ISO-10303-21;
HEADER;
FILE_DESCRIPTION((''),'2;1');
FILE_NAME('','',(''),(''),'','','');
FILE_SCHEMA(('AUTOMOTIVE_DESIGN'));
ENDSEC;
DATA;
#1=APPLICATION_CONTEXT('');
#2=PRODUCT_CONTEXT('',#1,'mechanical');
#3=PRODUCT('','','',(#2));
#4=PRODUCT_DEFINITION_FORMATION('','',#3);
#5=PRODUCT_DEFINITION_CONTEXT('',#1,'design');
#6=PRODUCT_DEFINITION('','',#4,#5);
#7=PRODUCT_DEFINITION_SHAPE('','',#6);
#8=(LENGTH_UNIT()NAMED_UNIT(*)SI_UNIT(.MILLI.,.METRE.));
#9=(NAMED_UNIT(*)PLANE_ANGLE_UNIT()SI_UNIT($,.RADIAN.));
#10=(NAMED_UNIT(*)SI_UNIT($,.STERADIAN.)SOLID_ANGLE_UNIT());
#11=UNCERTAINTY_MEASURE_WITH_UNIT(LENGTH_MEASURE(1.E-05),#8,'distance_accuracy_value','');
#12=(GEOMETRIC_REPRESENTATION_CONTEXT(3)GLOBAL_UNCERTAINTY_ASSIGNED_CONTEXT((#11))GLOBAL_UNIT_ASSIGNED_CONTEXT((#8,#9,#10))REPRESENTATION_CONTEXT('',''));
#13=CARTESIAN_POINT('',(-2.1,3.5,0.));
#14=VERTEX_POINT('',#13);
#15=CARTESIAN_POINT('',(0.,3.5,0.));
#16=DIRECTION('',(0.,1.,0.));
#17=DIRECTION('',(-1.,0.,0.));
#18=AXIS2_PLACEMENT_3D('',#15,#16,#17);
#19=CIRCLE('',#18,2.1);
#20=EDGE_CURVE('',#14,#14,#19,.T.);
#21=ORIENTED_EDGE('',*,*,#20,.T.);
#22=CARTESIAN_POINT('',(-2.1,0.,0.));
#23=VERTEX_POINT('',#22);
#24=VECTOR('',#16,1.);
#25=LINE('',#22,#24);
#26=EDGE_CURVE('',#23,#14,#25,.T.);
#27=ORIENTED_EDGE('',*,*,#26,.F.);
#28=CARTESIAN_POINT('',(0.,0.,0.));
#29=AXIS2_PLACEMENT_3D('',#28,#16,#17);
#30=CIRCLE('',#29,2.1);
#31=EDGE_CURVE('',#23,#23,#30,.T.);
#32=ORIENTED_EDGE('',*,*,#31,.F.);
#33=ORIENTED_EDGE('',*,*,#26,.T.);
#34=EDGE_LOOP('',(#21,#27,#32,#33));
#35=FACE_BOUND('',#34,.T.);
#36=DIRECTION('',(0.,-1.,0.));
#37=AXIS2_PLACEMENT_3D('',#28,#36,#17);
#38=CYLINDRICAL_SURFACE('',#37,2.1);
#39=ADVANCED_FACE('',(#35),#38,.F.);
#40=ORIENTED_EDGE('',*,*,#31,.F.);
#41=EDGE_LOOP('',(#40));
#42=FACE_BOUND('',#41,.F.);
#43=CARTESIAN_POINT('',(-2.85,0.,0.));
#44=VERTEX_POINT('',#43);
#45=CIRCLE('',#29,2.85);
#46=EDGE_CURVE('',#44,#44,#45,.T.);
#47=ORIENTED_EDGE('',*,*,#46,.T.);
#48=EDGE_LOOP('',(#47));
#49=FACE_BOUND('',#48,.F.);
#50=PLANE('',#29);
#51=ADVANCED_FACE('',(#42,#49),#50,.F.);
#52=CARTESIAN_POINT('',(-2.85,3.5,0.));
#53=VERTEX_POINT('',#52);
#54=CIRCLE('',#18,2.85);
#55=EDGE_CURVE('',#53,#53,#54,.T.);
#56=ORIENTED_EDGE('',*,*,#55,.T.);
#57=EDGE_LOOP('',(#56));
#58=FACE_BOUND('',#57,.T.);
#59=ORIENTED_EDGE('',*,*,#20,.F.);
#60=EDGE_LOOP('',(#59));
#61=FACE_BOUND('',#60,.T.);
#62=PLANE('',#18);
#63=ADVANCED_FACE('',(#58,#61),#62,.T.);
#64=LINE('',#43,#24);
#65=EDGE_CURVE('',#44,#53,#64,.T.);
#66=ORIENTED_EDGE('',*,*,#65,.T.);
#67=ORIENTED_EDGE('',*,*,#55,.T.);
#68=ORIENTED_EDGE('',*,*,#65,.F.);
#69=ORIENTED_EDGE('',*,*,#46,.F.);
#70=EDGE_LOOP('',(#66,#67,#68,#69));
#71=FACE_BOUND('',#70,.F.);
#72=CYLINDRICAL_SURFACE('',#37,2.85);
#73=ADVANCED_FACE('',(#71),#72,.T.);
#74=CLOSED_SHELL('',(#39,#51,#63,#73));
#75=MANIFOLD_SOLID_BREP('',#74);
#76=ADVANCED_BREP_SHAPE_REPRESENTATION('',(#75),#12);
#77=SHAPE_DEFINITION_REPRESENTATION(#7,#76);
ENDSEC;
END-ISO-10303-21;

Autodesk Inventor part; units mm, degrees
ref_plane "YZ Plane" through (0, 0, 0) normal (1, 0, 0) x (0, 1, 0)
ref_plane "XZ Plane" through (0, 0, 0) normal (0, 1, 0) x (-1, 0, 0)
ref_plane "XY Plane" through (0, 0, 0) normal (0, 0, 1) x (1, 0, 0)
sketch "Sketch1" plane through (0, 0, 0) normal (0, 1, 0) x (-1, 0, 0)
  circle A0 centre (0, 0) radius 2.1
  circle A1 centre (0, 0) radius 2.85
  dimension "d0" = 4.2
  dimension "d1" = 5.7
extrude "Extrusion1" add sketch "Sketch1" along normal blind 3.5
properties part number "HousingInputFaceSpacer"
